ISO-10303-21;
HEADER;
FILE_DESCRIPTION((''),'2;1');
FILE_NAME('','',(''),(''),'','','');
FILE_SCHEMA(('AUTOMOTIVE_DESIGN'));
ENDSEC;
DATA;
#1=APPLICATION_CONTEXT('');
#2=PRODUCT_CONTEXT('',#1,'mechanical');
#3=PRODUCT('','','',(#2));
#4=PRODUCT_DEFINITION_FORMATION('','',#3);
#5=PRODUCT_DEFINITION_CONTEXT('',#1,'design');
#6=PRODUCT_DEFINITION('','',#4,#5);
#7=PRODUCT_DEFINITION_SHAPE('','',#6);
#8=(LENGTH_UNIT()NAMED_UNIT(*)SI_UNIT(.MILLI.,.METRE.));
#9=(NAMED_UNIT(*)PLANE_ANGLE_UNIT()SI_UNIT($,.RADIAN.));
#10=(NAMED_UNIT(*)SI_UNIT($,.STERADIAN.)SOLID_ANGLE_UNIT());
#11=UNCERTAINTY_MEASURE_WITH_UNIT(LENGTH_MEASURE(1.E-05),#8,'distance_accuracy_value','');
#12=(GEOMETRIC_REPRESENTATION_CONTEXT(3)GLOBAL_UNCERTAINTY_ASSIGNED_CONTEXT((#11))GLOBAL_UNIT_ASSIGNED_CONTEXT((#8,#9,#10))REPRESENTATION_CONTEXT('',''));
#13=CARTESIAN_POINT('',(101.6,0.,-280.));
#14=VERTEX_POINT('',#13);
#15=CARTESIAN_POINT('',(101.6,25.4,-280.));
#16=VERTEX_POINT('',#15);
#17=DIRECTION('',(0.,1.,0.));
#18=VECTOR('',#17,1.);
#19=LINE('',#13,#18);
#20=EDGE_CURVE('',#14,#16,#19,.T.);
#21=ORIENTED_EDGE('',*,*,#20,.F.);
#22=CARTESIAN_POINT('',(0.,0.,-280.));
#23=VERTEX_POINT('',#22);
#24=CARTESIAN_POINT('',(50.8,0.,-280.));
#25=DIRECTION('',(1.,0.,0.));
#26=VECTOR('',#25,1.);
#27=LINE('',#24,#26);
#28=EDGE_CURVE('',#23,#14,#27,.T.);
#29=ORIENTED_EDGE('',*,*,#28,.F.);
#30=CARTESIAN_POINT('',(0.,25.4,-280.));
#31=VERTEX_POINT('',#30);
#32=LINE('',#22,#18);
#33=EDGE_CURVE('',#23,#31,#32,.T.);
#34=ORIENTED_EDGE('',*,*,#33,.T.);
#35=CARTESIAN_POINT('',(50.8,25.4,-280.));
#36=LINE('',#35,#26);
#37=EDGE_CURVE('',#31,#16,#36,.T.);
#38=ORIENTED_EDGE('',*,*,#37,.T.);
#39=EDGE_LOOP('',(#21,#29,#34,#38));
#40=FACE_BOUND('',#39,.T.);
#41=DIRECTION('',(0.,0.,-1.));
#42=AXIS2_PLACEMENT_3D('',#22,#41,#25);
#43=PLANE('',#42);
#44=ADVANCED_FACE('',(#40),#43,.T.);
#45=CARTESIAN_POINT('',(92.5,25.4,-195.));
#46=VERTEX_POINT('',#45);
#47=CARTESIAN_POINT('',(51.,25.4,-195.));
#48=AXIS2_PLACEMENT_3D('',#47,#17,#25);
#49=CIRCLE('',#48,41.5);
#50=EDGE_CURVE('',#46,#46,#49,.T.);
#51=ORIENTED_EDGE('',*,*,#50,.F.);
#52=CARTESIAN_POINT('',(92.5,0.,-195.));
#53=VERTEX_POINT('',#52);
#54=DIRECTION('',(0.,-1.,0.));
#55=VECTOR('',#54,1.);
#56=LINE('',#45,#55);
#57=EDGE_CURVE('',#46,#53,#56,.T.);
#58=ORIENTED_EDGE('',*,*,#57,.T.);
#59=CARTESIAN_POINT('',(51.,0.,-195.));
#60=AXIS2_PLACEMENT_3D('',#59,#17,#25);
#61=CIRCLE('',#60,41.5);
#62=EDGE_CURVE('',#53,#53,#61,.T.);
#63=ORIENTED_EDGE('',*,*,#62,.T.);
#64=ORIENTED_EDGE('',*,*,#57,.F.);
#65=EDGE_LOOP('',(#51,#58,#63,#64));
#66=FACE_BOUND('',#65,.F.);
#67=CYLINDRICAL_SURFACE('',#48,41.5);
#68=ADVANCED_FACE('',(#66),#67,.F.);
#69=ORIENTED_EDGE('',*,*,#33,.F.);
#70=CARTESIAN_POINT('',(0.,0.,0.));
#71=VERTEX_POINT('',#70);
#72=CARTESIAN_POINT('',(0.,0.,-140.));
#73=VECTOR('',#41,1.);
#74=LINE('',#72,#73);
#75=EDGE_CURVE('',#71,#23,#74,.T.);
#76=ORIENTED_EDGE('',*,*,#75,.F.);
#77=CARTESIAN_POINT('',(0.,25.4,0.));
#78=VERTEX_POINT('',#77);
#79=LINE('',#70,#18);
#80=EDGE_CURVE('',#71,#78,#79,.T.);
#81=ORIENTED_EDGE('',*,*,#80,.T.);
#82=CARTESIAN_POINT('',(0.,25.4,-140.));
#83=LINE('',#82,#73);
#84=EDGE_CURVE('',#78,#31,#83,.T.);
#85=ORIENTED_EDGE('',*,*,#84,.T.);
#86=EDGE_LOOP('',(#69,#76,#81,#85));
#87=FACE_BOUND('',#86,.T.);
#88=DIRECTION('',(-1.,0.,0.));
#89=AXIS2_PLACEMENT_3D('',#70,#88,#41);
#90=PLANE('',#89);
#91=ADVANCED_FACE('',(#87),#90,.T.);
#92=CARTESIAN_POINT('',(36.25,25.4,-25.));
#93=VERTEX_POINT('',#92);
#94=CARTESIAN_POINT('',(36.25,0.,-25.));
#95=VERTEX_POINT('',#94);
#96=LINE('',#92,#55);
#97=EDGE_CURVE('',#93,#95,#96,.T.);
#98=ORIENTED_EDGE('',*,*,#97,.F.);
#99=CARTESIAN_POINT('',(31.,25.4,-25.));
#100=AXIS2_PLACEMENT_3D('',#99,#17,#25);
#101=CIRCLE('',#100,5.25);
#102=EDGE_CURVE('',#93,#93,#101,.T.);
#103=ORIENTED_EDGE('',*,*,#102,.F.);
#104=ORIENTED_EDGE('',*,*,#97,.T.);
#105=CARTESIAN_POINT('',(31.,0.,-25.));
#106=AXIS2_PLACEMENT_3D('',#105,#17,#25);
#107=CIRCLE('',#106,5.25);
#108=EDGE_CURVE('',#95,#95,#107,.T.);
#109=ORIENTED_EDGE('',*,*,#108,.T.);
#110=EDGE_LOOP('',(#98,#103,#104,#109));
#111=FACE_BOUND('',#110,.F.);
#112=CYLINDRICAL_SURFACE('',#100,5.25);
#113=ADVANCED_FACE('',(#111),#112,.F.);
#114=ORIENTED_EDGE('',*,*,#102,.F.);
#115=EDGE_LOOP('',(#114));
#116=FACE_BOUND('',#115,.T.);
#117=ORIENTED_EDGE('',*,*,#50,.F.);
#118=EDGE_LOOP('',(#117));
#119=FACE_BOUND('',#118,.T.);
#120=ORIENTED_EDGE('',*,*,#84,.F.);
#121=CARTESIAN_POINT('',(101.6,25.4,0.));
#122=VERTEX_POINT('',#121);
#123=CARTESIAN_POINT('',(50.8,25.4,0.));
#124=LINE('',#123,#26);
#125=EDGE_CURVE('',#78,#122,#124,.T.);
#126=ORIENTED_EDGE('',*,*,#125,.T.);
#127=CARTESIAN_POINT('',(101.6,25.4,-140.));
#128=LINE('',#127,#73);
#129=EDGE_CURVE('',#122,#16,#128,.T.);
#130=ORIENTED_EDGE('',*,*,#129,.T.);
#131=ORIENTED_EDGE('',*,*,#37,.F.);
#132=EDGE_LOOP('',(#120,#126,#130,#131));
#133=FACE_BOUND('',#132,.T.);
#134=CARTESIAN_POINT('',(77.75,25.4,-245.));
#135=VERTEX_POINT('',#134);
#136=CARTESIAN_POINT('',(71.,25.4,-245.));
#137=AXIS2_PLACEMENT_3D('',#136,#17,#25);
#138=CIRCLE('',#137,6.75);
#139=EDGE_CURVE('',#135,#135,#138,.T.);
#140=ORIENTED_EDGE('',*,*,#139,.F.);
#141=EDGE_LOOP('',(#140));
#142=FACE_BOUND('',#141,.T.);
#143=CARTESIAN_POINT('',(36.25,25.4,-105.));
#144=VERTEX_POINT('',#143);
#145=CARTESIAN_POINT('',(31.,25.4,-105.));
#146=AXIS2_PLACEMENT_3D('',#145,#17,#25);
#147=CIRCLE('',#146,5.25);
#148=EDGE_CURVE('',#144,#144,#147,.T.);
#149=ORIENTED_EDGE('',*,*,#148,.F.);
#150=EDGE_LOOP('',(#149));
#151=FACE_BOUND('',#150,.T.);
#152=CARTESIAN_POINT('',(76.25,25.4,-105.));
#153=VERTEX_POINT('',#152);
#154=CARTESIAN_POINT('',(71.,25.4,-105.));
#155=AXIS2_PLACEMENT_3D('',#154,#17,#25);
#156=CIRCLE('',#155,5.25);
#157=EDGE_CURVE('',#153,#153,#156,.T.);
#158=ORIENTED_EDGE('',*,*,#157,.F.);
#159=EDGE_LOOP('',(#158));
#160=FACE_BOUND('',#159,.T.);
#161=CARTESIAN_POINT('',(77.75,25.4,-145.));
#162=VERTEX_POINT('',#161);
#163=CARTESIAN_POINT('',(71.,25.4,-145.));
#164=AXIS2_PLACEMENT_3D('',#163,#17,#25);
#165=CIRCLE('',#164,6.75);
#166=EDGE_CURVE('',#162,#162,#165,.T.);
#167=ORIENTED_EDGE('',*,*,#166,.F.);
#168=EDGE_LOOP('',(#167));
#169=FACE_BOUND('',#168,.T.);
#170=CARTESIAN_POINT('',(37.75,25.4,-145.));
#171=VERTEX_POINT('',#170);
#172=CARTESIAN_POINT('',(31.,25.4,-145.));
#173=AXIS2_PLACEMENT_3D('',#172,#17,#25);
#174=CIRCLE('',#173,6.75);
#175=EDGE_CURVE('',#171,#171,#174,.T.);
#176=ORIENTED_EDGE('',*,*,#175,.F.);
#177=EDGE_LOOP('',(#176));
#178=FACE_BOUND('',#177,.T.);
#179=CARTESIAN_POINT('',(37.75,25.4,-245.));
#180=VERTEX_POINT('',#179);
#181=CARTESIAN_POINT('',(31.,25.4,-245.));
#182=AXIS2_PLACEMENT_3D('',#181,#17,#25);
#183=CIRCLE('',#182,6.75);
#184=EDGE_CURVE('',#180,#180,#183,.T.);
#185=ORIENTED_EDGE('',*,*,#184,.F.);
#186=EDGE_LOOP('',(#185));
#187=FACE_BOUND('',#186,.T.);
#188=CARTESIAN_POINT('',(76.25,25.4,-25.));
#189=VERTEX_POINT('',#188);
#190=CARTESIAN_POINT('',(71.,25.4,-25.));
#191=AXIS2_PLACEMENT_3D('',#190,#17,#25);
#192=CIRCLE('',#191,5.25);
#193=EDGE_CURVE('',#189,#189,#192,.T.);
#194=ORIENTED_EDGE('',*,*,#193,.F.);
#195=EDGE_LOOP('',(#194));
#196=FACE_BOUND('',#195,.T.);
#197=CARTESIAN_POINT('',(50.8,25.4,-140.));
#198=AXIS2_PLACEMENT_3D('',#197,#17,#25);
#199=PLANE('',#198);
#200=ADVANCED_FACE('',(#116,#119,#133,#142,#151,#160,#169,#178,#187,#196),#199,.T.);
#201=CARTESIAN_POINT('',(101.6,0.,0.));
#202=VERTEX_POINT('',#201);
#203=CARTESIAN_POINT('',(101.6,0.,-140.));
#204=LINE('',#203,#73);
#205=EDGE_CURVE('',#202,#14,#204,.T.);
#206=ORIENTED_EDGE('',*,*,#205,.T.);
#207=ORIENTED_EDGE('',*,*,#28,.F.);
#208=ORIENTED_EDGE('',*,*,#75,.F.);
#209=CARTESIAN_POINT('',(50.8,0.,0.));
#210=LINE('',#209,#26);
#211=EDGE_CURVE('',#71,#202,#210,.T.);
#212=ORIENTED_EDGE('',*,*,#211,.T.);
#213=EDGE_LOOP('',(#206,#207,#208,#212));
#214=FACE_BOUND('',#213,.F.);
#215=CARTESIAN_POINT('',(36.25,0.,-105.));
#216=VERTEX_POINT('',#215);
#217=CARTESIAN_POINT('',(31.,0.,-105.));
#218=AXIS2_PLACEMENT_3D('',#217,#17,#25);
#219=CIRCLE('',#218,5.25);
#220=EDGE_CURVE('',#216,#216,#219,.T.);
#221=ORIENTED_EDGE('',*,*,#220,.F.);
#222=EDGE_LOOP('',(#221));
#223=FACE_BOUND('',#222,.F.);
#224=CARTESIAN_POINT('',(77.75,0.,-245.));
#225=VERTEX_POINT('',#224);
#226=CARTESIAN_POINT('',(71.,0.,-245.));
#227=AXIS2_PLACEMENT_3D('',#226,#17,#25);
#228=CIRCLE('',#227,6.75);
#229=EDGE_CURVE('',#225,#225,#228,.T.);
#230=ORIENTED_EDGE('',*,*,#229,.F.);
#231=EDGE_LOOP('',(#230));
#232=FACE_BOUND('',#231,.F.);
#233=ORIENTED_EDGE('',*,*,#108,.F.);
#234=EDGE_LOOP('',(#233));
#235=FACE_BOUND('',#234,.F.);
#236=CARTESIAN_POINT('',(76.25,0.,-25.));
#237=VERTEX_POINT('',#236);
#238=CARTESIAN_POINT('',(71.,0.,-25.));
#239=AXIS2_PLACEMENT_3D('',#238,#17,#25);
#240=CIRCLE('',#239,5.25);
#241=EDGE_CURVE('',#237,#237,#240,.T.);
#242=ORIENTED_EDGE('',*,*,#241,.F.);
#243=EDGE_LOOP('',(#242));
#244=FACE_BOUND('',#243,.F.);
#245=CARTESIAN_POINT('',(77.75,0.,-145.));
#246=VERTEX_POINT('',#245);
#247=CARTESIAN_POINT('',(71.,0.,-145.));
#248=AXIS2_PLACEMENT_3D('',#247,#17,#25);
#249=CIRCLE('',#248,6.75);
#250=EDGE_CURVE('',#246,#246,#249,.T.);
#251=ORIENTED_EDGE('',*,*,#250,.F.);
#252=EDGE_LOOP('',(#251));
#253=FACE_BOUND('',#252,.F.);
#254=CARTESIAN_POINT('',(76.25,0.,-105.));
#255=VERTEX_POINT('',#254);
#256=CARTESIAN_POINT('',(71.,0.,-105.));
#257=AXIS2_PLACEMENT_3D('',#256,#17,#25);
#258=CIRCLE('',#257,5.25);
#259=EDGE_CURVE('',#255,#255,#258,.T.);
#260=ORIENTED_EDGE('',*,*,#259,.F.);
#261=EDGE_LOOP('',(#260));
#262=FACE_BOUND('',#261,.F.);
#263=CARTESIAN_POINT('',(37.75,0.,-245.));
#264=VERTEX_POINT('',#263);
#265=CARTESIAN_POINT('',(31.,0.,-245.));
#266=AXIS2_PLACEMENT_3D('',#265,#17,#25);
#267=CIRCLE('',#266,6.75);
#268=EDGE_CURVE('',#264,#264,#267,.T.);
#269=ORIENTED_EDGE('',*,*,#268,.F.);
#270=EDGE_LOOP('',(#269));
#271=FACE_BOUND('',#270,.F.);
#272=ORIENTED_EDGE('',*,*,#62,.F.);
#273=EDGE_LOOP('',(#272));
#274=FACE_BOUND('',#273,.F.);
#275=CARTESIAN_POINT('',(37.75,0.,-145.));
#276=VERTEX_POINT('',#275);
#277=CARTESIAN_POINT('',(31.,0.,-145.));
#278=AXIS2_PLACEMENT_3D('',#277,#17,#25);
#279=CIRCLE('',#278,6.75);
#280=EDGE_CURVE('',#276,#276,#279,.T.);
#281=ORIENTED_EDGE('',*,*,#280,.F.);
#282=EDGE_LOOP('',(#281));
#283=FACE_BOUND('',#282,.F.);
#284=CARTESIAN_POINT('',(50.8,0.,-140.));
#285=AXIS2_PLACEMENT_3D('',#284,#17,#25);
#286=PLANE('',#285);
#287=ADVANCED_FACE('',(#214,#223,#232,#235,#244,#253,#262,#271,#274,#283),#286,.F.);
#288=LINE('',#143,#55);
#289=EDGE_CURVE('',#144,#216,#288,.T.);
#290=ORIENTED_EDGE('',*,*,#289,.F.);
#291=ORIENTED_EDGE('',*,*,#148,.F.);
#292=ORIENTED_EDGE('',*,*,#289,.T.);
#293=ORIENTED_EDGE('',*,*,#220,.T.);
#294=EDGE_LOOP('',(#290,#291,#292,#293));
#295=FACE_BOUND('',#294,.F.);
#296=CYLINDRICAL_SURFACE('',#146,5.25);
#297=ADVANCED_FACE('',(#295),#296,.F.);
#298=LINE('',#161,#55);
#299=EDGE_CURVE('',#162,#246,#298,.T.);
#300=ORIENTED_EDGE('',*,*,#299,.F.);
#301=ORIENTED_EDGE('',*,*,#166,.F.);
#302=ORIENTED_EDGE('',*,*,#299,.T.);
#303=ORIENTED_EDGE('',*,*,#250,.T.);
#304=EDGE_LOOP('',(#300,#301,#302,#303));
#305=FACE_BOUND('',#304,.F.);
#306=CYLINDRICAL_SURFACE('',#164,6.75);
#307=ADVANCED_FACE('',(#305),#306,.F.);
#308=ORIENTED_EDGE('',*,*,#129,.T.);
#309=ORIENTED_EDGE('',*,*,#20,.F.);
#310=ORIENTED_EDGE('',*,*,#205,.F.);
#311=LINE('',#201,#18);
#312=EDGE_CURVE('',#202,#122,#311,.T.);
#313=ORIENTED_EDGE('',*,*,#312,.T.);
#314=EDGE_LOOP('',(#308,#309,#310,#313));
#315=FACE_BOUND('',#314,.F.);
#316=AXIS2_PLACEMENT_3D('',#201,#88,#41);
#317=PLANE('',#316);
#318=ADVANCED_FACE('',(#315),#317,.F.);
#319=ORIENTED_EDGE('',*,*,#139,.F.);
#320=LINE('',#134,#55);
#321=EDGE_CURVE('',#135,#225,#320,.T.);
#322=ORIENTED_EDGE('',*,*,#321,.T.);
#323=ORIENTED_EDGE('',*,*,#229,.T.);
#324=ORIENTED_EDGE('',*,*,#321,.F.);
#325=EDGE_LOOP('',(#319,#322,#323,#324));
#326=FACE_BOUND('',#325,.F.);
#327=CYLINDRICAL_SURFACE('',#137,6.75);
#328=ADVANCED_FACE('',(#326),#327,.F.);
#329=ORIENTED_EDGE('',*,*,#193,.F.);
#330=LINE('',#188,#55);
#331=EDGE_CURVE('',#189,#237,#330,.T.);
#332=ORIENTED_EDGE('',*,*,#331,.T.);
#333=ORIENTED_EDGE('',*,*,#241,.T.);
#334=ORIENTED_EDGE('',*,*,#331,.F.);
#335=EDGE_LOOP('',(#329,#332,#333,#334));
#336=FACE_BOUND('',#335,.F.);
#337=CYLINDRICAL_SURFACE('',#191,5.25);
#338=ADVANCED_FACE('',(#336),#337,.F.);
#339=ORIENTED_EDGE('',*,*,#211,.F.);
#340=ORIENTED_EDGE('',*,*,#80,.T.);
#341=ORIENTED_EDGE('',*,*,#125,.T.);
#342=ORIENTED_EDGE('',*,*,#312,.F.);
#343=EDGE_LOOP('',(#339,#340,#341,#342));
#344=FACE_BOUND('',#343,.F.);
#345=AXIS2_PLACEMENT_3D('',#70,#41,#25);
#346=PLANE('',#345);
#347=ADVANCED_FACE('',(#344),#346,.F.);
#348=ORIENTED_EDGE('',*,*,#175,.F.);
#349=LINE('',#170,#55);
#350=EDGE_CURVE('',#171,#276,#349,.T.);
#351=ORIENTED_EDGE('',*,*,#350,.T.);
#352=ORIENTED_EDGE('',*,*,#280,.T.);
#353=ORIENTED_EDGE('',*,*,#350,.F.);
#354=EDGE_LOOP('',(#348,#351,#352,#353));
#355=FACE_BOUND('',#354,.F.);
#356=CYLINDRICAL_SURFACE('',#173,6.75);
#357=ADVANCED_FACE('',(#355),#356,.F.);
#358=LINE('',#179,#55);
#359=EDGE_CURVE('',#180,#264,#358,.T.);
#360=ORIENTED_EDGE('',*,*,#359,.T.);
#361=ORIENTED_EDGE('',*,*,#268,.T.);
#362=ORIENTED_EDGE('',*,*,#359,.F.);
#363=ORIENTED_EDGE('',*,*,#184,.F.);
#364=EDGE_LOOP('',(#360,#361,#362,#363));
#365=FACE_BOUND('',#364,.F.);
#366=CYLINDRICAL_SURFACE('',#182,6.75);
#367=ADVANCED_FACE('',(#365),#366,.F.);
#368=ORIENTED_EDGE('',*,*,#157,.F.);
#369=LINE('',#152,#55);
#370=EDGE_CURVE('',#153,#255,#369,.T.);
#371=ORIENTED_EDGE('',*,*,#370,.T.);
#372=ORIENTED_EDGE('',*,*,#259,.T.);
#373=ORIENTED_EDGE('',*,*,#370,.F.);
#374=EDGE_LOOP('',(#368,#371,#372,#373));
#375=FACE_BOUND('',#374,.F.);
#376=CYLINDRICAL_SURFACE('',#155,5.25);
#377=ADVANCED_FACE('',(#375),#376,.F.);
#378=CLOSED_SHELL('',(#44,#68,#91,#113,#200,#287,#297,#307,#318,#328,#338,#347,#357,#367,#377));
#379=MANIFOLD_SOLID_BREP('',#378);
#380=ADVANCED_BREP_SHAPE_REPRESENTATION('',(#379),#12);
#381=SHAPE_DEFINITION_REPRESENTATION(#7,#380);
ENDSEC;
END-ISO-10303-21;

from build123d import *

# Parameters (mm, degrees)
SKETCH2_W           = 101.6
SKETCH2_H           = 280
BOSS_EXTRUDE1_DEPTH = 25.4
SKETCH3_R           = 6.75
SKETCH3_R_2         = 41.5
CUT_EXTRUDE1_DEPTH  = 25.4
SKETCH4_R           = 5.25
CUT_EXTRUDE2_DEPTH  = 25.4


with BuildPart() as part:
    # Sketch2 → Boss-Extrude1 (new body)
    with BuildSketch(Plane(origin=(0, 0, 0), x_dir=(1, 0, 0), z_dir=(0, 1, 0))):
        with Locations((50.8, 140)):
            Rectangle(SKETCH2_W, SKETCH2_H)
    extrude(amount=BOSS_EXTRUDE1_DEPTH)

    # Sketch3 → Cut-Extrude1 (cut)
    with BuildSketch(Plane(origin=(0, 25.4, 0), x_dir=(1, 0, 0), z_dir=(0, 1, 0))):
        with Locations((71, 245)):
            Circle(SKETCH3_R)
        with Locations((31, 245)):
            Circle(SKETCH3_R)
        with Locations((71, 145)):
            Circle(SKETCH3_R)
        with Locations((31, 145)):
            Circle(SKETCH3_R)
        with Locations((51, 195)):
            Circle(SKETCH3_R_2)
    extrude(amount=-CUT_EXTRUDE1_DEPTH, mode=Mode.SUBTRACT)

    # Sketch4 → Cut-Extrude2 (cut)
    with BuildSketch(Plane(origin=(0, 25.4, 0), x_dir=(1, 0, 0), z_dir=(0, 1, 0))):
        with Locations((71, 105)):
            Circle(SKETCH4_R)
        with Locations((31, 105)):
            Circle(SKETCH4_R)
        with Locations((31, 25)):
            Circle(SKETCH4_R)
        with Locations((71, 25)):
            Circle(SKETCH4_R)
    extrude(amount=-CUT_EXTRUDE2_DEPTH, mode=Mode.SUBTRACT)


solid = part.part
